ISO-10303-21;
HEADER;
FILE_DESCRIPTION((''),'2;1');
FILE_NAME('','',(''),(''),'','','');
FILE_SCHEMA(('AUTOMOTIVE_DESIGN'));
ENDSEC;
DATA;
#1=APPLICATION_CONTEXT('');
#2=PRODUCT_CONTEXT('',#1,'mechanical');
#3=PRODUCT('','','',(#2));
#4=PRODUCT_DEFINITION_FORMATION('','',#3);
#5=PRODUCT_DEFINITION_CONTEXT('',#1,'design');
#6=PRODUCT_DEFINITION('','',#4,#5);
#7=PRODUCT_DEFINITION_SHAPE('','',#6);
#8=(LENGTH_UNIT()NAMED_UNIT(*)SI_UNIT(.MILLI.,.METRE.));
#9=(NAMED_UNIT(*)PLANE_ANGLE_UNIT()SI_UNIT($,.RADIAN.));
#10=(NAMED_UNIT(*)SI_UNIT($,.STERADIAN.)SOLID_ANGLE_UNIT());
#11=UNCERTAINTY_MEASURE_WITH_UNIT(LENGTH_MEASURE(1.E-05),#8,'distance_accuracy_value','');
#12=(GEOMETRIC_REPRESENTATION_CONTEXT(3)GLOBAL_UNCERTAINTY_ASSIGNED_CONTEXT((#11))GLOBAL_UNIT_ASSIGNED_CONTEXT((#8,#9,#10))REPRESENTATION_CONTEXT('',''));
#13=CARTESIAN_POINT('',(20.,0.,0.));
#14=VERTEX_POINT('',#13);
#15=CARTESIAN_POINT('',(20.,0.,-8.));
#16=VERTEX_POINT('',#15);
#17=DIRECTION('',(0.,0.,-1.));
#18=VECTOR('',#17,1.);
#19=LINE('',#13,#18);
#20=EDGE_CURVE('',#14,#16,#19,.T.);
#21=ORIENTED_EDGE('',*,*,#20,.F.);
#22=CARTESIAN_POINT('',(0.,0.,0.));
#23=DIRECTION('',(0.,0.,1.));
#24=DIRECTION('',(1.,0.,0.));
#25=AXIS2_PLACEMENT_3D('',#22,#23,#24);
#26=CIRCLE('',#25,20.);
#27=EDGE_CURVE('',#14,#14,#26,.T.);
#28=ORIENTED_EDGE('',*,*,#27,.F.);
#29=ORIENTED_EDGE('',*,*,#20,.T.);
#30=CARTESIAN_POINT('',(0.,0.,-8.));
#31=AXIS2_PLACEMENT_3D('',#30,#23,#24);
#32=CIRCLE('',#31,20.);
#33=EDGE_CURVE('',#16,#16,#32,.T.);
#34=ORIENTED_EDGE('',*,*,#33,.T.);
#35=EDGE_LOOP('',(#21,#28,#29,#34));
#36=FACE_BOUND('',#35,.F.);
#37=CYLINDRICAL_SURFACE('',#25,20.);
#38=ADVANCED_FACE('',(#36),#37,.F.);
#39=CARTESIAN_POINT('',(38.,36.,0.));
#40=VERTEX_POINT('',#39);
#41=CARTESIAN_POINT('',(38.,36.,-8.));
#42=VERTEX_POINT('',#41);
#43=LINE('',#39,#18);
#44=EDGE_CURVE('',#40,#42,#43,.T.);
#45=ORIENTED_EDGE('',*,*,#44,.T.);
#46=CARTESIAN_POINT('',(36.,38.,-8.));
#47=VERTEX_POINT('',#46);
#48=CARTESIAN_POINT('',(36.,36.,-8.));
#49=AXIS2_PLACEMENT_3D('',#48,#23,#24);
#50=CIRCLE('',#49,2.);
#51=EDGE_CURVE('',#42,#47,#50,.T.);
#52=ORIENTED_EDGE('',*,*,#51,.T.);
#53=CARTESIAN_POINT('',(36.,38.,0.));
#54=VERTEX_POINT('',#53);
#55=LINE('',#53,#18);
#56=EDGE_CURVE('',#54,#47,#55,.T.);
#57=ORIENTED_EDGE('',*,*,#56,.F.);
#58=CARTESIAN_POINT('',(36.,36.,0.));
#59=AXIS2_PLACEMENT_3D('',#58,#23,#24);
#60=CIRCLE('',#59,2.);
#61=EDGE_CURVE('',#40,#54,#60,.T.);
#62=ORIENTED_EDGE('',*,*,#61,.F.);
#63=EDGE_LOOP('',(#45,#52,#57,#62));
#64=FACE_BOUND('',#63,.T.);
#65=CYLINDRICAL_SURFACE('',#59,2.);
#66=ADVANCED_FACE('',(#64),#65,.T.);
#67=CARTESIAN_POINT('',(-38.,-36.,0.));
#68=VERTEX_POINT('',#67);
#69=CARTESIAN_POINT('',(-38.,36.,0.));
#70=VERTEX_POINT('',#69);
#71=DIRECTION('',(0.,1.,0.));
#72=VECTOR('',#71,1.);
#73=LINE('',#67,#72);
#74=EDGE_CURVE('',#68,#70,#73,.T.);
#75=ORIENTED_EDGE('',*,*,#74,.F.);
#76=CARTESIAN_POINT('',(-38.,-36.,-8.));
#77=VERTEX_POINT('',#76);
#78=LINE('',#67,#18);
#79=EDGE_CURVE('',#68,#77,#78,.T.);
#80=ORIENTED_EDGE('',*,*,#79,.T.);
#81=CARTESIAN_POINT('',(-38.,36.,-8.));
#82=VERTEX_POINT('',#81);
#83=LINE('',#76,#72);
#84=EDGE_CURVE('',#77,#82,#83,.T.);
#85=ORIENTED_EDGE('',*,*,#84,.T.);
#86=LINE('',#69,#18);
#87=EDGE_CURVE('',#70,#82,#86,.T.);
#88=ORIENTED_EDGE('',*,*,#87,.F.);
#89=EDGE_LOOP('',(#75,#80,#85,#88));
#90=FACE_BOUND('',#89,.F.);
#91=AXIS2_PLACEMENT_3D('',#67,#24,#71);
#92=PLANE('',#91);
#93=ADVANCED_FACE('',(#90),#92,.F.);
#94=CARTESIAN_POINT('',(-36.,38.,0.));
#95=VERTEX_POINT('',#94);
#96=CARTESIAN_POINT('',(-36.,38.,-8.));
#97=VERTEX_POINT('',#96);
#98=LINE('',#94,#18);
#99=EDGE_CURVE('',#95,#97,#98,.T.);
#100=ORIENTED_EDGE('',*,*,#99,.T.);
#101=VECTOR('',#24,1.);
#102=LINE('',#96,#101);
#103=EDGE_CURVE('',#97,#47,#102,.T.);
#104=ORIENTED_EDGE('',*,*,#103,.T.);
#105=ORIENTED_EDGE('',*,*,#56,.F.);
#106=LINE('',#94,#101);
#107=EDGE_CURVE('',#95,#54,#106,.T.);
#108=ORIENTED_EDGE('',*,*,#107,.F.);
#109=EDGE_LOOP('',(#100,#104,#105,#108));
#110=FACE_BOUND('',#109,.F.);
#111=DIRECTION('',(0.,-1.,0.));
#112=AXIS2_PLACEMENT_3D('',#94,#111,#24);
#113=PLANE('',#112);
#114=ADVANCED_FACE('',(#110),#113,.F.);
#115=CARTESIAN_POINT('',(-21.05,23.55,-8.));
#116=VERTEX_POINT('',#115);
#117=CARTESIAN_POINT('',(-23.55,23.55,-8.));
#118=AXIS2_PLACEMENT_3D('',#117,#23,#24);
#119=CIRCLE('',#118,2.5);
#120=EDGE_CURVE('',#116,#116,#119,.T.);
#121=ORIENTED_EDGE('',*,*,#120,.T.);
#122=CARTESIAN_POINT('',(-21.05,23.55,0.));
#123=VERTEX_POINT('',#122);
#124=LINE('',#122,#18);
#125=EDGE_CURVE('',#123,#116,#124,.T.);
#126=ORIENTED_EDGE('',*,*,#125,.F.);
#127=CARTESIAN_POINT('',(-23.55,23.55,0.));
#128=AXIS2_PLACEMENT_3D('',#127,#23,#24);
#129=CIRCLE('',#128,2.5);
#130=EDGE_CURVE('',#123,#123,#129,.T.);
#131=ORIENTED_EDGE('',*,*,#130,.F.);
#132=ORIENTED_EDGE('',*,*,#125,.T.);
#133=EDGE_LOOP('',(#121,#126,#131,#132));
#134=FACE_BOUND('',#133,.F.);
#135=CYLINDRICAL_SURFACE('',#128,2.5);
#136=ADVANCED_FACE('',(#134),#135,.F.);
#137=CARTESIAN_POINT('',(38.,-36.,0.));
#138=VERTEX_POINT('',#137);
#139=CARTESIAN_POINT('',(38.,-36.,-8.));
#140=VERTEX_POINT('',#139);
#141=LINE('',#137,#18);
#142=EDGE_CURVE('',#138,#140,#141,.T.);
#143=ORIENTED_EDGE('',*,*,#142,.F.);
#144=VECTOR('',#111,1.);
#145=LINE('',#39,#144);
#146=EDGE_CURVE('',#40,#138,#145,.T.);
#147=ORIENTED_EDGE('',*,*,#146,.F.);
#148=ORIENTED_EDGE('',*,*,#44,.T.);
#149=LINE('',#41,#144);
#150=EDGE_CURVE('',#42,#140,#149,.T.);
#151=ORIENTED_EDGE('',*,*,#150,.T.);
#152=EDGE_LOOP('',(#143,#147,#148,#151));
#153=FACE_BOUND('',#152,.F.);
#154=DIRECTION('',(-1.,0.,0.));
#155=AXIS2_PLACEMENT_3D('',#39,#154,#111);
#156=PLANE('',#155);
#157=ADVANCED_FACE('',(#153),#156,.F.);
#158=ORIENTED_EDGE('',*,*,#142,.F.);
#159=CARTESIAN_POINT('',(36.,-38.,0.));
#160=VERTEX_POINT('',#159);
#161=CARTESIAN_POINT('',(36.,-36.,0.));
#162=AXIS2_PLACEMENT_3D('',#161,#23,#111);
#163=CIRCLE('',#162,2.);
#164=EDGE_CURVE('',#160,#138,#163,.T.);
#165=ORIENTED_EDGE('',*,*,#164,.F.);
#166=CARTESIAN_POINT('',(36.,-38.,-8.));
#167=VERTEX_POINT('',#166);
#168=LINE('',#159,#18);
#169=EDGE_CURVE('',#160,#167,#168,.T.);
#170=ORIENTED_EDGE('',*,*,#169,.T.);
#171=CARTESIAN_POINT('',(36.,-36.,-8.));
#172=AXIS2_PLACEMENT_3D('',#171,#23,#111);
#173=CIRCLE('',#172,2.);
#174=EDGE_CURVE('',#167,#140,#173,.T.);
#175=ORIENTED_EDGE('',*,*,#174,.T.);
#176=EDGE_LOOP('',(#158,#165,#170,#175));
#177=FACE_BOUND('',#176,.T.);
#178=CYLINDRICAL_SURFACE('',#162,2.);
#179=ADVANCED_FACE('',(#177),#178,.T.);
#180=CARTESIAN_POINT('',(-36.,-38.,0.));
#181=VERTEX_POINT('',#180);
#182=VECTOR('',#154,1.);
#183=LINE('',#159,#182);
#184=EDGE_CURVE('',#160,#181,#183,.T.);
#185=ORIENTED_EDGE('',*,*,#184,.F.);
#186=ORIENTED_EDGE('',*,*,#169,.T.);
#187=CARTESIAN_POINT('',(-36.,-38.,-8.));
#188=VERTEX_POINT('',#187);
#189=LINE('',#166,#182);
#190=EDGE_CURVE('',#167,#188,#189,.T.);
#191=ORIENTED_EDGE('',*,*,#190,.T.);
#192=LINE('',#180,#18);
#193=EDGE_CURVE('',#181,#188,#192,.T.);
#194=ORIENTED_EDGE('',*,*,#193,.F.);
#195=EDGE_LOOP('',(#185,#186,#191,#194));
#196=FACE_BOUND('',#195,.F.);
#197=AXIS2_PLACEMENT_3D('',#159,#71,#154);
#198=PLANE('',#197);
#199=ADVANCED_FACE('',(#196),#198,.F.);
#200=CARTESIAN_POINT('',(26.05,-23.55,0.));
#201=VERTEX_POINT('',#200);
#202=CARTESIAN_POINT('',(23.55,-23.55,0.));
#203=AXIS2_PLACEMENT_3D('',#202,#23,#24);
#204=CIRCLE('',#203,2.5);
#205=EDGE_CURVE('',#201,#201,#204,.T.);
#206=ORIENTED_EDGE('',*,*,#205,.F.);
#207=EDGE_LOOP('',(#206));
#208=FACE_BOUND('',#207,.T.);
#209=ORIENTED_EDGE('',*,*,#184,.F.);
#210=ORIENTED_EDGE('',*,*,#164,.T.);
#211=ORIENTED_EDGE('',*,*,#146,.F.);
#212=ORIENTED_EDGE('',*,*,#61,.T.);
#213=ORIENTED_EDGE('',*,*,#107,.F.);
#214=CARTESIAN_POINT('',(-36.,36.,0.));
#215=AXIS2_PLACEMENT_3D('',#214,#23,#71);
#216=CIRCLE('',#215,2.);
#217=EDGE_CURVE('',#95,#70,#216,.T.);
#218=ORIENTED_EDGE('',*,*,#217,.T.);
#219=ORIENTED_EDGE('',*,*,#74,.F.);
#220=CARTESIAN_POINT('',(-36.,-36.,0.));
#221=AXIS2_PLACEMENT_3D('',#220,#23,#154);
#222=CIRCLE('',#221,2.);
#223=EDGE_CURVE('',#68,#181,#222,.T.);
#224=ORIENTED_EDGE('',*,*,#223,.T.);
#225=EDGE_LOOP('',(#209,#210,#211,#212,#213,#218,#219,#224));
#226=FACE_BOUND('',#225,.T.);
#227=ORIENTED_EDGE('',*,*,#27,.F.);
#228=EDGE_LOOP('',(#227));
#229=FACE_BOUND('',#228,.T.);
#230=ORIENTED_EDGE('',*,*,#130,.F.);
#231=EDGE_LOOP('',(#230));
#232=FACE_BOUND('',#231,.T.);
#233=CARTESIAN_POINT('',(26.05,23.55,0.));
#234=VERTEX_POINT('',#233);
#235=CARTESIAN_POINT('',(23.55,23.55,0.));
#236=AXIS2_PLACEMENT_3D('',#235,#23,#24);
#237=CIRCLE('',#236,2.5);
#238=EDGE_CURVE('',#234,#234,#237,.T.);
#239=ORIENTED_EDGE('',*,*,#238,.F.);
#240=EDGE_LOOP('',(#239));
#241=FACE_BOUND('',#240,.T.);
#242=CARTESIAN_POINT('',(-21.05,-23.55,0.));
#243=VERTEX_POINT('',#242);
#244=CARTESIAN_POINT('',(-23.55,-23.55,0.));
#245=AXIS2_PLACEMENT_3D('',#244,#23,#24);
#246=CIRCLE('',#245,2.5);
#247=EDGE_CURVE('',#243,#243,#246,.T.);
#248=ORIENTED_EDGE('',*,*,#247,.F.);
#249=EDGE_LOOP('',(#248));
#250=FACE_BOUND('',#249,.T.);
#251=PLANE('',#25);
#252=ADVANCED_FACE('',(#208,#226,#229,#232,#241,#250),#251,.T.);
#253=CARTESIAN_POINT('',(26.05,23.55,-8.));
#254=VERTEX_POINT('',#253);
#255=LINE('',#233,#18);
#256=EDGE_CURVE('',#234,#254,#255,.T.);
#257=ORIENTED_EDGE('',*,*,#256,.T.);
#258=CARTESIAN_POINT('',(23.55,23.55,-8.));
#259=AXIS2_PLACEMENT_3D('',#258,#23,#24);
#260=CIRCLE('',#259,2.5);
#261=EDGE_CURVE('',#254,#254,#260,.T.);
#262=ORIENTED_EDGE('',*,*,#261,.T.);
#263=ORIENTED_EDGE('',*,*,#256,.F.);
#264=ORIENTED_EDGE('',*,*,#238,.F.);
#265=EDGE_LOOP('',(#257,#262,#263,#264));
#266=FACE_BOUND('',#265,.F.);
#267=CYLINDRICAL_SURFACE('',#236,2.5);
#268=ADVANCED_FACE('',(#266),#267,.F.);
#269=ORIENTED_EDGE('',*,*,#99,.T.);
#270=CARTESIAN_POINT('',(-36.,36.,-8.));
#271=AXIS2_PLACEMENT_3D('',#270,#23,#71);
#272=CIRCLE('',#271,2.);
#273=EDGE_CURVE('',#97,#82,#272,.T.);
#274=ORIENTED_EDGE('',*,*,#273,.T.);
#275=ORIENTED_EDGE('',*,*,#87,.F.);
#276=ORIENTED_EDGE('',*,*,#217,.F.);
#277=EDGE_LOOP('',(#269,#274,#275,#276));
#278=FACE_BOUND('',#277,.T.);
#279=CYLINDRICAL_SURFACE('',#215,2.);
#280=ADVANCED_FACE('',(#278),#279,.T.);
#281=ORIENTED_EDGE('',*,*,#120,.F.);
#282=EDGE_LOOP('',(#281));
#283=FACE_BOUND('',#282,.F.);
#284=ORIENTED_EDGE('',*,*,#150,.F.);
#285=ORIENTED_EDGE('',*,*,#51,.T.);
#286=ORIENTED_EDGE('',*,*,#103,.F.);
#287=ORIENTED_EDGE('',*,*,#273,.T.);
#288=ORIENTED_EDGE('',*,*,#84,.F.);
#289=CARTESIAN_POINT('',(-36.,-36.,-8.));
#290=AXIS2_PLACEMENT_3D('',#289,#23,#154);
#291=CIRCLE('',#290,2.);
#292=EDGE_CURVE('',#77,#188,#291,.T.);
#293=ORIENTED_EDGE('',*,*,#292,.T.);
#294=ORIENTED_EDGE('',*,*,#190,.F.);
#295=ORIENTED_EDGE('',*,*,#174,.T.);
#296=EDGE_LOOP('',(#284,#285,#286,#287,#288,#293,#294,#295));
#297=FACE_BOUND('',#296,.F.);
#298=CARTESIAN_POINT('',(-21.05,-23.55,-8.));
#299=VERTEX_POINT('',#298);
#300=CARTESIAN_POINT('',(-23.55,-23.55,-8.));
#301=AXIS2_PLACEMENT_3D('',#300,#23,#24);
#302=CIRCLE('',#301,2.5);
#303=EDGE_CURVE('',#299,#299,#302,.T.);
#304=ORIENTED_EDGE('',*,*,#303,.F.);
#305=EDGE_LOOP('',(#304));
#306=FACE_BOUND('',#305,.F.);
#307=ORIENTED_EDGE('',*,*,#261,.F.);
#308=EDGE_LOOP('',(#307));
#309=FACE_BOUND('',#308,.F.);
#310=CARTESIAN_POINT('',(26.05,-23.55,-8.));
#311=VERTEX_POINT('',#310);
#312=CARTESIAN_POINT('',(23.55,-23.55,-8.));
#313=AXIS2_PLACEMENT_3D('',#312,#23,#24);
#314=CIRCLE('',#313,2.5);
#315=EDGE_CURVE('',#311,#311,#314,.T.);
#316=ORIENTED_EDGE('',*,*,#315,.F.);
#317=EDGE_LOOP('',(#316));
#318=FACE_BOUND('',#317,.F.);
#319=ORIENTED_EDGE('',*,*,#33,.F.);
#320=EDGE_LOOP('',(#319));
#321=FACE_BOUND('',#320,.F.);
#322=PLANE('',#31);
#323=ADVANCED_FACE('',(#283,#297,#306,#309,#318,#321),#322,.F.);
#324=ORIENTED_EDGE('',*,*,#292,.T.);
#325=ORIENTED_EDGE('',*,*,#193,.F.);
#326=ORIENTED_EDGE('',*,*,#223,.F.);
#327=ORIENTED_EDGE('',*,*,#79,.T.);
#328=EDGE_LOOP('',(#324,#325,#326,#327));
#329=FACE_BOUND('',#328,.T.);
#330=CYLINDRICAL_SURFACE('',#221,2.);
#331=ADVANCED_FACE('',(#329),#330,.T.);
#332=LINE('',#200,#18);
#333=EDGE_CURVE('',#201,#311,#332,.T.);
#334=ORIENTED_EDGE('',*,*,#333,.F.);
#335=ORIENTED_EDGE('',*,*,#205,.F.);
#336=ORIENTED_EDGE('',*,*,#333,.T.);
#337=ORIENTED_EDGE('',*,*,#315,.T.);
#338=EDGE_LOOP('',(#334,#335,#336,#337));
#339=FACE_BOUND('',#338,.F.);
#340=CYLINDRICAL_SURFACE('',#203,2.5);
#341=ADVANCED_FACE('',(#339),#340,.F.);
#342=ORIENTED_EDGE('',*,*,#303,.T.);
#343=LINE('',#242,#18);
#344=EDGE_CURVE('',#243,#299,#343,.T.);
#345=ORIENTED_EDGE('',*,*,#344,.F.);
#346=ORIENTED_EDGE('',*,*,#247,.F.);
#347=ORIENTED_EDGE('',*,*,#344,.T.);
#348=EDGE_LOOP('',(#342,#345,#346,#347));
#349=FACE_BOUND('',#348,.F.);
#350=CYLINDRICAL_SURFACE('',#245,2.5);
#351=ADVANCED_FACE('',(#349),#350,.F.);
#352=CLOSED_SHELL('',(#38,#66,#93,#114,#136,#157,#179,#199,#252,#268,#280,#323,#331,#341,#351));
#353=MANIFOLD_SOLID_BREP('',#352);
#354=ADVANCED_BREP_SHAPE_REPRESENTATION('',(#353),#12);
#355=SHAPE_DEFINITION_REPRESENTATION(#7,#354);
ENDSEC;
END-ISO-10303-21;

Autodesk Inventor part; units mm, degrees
ref_plane "YZ Plane" through (0, 0, 0) normal (1, 0, 0) x (0, 1, 0)
ref_plane "XZ Plane" through (0, 0, 0) normal (0, 1, 0) x (-1, 0, 0)
ref_plane "XY Plane" through (0, 0, 0) normal (0, 0, 1) x (1, 0, 0)
sketch "Boceto1" plane through (0, 0, 0) normal (0, 0, 1) x (1, 0, 0)
  line L0 (-36, 38) -> (36, 38)
  line L1 (38, 36) -> (38, -36)
  line L2 (36, -38) -> (-36, -38)
  line L3 (-38, -36) -> (-38, 36)
  arc A0 (-36, 38) -> (-38, 36) centre (-36, 36) ccw
  arc A1 (38, 36) -> (36, 38) centre (36, 36) ccw
  arc A2 (36, -38) -> (38, -36) centre (36, -36) ccw
  arc A3 (-38, -36) -> (-36, -38) centre (-36, -36) ccw
  line L4 (-36, 36) -> (36, -36) construction
  line L5 (-36, -36) -> (36, 36) construction
  circle A4 centre (23.55, 23.55) radius 2.5
  circle A5 centre (23.55, -23.55) radius 2.5
  circle A6 centre (-23.55, -23.55) radius 2.5
  circle A7 centre (-23.55, 23.55) radius 2.5
  circle A8 centre (0, 0) radius 20
  point P0 (-38, 38)
  point P1 (-38, -38)
  dimension "d0" = 76
  dimension "d1" = 2
  dimension "d2" = 5
  dimension "d3" = 61.6095
  dimension "d4" = 40
  dimension "d23" = 47.1
extrude "Extrusión1" add sketch "Boceto1" against normal blind 8
properties part number "placa soporte motor"
